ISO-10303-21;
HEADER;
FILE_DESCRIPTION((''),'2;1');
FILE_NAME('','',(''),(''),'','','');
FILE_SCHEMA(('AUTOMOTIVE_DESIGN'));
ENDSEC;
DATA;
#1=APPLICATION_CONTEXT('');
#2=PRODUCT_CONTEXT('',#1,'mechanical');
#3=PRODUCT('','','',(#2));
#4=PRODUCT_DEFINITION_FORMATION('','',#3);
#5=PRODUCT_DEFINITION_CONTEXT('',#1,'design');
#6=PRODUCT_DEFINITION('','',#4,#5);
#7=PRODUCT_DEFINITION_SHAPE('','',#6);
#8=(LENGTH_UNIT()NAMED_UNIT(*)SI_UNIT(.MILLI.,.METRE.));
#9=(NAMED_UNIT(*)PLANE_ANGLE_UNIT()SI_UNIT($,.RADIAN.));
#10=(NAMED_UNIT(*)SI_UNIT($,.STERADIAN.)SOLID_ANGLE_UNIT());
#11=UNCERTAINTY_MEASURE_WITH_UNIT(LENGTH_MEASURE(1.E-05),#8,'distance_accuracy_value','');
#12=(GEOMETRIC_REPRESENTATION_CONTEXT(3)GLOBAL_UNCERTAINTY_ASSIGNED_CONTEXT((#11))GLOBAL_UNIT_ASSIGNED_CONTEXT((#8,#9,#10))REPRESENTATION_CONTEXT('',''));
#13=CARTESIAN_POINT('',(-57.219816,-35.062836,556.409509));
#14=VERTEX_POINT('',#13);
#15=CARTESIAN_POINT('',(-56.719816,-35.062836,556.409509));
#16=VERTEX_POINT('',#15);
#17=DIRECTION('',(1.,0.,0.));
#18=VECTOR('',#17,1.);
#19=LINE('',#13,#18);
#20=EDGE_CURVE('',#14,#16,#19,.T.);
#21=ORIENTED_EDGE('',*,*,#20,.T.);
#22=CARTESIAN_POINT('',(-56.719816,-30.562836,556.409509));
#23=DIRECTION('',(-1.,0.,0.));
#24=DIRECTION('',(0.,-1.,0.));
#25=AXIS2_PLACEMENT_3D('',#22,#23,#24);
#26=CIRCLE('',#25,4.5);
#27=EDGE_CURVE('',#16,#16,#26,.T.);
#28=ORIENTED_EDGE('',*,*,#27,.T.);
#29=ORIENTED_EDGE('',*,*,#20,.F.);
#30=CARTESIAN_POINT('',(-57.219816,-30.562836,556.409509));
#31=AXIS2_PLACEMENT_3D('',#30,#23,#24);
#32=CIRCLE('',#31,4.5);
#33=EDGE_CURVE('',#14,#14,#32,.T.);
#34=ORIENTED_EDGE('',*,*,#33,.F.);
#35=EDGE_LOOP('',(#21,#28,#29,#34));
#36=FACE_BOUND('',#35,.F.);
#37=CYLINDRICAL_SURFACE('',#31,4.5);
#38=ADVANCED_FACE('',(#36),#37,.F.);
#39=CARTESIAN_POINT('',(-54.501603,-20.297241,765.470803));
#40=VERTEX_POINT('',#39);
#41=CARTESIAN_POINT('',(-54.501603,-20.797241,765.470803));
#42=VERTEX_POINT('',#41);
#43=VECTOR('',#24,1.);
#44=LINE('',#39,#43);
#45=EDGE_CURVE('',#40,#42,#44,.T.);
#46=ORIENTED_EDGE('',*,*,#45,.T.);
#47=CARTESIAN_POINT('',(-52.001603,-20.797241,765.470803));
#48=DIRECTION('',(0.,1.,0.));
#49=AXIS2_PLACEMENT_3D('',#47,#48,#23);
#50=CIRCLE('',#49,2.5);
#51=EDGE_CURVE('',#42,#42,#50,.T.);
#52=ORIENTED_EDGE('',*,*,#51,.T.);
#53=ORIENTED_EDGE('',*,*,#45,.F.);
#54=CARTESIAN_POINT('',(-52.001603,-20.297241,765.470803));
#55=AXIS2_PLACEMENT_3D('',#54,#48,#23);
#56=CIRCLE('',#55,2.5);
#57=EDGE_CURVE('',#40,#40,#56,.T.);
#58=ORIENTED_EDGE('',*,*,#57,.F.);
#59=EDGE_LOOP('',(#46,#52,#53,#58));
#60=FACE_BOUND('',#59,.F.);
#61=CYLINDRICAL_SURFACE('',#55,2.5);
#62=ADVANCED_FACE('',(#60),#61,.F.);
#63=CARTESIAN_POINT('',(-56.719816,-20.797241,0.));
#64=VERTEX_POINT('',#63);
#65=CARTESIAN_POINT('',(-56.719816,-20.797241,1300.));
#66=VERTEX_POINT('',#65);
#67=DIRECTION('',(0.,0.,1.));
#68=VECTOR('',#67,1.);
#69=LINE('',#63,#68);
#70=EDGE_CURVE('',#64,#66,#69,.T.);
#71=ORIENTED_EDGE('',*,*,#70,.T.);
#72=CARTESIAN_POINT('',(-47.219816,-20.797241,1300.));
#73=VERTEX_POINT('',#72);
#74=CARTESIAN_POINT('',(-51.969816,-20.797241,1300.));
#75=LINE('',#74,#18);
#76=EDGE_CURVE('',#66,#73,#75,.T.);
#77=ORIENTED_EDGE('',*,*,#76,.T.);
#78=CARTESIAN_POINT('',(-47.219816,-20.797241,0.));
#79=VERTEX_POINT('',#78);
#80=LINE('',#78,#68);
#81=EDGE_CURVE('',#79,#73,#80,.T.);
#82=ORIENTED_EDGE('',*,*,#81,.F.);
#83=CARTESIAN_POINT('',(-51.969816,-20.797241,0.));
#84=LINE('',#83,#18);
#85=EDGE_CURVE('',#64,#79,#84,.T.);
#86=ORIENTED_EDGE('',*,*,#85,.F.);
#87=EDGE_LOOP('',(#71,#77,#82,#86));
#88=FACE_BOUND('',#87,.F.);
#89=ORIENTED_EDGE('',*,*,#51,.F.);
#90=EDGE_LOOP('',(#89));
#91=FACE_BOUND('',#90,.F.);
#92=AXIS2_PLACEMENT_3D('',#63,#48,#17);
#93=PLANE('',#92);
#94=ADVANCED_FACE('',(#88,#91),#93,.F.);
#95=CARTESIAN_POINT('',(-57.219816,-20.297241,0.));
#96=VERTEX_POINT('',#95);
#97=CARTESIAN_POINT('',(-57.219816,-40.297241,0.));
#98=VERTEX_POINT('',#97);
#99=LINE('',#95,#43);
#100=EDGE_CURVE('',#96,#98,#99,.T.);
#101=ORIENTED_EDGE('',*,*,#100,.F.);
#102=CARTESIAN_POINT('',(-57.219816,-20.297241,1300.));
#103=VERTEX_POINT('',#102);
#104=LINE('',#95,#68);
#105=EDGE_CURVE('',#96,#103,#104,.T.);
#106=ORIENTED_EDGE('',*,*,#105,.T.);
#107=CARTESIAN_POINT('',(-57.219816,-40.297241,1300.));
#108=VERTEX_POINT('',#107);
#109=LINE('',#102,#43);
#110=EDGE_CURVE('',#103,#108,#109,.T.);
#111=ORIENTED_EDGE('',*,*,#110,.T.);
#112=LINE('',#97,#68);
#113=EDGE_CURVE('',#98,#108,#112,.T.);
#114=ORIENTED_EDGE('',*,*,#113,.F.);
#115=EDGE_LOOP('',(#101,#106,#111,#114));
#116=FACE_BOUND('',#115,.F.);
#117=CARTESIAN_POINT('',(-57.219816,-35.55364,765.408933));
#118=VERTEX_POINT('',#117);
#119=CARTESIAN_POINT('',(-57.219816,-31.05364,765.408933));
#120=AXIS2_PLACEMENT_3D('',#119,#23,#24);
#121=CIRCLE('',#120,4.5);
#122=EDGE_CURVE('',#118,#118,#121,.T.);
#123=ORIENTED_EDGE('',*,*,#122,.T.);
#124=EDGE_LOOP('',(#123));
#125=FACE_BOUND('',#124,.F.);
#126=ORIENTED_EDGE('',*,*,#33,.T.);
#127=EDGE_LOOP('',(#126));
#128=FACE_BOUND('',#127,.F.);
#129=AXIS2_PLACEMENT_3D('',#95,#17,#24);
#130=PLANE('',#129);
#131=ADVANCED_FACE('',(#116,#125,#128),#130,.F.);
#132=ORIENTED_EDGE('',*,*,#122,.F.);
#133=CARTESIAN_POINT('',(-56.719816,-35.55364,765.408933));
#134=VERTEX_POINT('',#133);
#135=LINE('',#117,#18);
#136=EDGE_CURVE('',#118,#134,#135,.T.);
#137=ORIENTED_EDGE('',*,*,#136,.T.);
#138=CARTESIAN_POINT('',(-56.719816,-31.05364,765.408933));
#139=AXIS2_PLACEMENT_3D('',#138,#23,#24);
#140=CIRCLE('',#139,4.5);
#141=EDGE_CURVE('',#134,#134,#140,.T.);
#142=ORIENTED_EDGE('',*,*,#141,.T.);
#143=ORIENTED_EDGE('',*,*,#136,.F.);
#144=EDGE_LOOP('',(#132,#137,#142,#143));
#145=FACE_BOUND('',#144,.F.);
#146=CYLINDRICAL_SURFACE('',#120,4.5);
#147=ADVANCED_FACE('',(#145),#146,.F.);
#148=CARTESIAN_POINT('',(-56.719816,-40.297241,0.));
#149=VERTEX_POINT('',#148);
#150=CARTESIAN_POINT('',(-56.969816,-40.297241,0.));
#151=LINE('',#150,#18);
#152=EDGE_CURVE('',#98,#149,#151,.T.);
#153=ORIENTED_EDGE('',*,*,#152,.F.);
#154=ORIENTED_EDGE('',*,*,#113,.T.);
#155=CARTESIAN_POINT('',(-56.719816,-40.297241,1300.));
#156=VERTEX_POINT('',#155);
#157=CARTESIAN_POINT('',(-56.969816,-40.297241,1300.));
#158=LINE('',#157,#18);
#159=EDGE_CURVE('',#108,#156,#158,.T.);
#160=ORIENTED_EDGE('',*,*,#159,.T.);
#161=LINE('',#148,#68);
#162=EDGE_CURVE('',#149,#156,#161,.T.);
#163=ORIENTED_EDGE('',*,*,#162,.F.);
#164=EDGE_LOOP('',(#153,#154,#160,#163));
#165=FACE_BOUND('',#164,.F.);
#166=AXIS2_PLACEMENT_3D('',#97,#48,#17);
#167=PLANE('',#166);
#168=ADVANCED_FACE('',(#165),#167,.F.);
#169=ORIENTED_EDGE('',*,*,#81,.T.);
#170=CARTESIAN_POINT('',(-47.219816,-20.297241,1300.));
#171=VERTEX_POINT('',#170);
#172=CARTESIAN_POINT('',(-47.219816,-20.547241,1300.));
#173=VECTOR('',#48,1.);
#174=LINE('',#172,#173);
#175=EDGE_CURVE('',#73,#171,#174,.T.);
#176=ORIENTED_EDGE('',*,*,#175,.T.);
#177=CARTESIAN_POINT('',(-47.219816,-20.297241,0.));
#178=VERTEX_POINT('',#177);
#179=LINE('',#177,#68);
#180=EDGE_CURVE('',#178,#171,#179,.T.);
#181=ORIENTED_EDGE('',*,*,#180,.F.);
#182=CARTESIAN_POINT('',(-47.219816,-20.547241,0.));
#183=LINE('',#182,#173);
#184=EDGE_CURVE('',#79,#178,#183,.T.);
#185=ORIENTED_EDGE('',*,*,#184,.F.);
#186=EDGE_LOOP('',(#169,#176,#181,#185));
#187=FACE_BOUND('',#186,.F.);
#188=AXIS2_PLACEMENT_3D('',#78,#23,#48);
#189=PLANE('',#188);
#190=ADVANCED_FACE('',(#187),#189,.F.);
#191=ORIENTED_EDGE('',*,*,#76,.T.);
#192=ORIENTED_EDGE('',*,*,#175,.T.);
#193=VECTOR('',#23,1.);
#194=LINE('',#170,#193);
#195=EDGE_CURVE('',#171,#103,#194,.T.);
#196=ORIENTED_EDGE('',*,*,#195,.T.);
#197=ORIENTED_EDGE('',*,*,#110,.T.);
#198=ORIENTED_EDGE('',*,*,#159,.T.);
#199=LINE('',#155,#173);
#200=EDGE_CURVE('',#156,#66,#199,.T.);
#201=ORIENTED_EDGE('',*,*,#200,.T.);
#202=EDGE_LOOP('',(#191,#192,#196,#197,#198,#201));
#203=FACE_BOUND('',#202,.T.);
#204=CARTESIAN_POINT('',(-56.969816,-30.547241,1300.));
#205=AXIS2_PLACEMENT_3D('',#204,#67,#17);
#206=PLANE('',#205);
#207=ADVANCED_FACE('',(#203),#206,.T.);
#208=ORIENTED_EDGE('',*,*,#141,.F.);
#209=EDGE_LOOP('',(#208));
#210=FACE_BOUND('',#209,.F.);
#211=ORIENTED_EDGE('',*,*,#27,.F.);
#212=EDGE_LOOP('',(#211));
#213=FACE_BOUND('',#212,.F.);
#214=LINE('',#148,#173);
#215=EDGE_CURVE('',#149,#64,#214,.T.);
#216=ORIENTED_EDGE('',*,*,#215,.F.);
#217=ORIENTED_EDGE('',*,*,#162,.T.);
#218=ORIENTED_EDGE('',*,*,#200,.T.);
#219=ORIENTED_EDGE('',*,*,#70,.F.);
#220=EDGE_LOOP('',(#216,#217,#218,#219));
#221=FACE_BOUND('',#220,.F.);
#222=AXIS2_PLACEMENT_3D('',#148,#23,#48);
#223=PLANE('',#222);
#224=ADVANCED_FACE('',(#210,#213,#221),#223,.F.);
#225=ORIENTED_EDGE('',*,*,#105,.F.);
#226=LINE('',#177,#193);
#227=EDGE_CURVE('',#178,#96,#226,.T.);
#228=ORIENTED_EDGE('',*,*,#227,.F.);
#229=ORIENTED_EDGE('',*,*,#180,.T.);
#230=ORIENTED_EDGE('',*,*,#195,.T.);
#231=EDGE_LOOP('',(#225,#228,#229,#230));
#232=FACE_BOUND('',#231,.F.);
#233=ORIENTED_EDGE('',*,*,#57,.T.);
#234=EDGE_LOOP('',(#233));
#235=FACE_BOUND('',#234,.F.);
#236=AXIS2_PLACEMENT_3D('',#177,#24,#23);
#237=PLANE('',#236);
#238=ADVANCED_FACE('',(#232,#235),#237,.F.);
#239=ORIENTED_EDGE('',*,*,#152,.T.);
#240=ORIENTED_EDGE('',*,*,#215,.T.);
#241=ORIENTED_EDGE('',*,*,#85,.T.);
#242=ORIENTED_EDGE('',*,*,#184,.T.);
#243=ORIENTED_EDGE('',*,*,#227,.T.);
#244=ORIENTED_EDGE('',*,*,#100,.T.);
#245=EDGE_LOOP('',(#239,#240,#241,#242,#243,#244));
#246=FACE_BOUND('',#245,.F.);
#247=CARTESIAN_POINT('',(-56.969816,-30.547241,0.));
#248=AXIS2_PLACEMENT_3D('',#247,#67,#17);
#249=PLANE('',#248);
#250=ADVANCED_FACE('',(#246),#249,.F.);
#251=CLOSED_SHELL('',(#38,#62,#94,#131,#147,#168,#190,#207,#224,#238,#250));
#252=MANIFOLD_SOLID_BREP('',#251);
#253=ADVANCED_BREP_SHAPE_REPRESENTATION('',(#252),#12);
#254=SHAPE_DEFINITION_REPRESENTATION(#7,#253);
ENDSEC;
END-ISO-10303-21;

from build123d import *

# Parameters (mm, degrees)
F0_W     = 0.5
F0_H     = 19.5
F0_H_2   = 0.5
F0_W_2   = 9.5
F1_DEPTH = 1300
F2_R     = 4.5
F3_DEPTH = 25
F4_R     = 2.5
F5_DEPTH = 25
F6_R     = 4.5
F7_DEPTH = 25


with BuildPart() as f1:
    # F0 (on Top) → F1 (new body)
    with BuildSketch(Plane.XY):
        with Locations((-56.969816, -30.547241)):
            Rectangle(F0_W, F0_H)
        with Locations((-56.969816, -20.547241)):
            Rectangle(F0_W, F0_H_2)
        with Locations((-51.969816, -20.547241)):
            Rectangle(F0_W_2, F0_H_2)
    extrude(amount=F1_DEPTH)

    # F2 (on face) → F3 (cut)
    with BuildSketch(Plane(origin=(-57.219816, 0, 0), x_dir=(0, -1, 0), z_dir=(-1, 0, 0))):
        with Locations((31.05364, 765.408933)):
            Circle(F2_R)
    extrude(amount=-F3_DEPTH, mode=Mode.SUBTRACT)

    # F4 (on face) → F5 (cut)
    with BuildSketch(Plane(origin=(0, -20.297241, 0), x_dir=(-1, 0, 0), z_dir=(0, 1, 0))):
        with Locations((52.001603, 765.470803)):
            Circle(F4_R)
    extrude(amount=-F5_DEPTH, mode=Mode.SUBTRACT)

    # F6 (on face) → F7 (cut)
    with BuildSketch(Plane(origin=(-57.219816, 0, 0), x_dir=(0, -1, 0), z_dir=(-1, 0, 0))):
        with Locations((30.562836, 556.409509)):
            Circle(F6_R)
    extrude(amount=-F7_DEPTH, mode=Mode.SUBTRACT)


solid = f1.part
